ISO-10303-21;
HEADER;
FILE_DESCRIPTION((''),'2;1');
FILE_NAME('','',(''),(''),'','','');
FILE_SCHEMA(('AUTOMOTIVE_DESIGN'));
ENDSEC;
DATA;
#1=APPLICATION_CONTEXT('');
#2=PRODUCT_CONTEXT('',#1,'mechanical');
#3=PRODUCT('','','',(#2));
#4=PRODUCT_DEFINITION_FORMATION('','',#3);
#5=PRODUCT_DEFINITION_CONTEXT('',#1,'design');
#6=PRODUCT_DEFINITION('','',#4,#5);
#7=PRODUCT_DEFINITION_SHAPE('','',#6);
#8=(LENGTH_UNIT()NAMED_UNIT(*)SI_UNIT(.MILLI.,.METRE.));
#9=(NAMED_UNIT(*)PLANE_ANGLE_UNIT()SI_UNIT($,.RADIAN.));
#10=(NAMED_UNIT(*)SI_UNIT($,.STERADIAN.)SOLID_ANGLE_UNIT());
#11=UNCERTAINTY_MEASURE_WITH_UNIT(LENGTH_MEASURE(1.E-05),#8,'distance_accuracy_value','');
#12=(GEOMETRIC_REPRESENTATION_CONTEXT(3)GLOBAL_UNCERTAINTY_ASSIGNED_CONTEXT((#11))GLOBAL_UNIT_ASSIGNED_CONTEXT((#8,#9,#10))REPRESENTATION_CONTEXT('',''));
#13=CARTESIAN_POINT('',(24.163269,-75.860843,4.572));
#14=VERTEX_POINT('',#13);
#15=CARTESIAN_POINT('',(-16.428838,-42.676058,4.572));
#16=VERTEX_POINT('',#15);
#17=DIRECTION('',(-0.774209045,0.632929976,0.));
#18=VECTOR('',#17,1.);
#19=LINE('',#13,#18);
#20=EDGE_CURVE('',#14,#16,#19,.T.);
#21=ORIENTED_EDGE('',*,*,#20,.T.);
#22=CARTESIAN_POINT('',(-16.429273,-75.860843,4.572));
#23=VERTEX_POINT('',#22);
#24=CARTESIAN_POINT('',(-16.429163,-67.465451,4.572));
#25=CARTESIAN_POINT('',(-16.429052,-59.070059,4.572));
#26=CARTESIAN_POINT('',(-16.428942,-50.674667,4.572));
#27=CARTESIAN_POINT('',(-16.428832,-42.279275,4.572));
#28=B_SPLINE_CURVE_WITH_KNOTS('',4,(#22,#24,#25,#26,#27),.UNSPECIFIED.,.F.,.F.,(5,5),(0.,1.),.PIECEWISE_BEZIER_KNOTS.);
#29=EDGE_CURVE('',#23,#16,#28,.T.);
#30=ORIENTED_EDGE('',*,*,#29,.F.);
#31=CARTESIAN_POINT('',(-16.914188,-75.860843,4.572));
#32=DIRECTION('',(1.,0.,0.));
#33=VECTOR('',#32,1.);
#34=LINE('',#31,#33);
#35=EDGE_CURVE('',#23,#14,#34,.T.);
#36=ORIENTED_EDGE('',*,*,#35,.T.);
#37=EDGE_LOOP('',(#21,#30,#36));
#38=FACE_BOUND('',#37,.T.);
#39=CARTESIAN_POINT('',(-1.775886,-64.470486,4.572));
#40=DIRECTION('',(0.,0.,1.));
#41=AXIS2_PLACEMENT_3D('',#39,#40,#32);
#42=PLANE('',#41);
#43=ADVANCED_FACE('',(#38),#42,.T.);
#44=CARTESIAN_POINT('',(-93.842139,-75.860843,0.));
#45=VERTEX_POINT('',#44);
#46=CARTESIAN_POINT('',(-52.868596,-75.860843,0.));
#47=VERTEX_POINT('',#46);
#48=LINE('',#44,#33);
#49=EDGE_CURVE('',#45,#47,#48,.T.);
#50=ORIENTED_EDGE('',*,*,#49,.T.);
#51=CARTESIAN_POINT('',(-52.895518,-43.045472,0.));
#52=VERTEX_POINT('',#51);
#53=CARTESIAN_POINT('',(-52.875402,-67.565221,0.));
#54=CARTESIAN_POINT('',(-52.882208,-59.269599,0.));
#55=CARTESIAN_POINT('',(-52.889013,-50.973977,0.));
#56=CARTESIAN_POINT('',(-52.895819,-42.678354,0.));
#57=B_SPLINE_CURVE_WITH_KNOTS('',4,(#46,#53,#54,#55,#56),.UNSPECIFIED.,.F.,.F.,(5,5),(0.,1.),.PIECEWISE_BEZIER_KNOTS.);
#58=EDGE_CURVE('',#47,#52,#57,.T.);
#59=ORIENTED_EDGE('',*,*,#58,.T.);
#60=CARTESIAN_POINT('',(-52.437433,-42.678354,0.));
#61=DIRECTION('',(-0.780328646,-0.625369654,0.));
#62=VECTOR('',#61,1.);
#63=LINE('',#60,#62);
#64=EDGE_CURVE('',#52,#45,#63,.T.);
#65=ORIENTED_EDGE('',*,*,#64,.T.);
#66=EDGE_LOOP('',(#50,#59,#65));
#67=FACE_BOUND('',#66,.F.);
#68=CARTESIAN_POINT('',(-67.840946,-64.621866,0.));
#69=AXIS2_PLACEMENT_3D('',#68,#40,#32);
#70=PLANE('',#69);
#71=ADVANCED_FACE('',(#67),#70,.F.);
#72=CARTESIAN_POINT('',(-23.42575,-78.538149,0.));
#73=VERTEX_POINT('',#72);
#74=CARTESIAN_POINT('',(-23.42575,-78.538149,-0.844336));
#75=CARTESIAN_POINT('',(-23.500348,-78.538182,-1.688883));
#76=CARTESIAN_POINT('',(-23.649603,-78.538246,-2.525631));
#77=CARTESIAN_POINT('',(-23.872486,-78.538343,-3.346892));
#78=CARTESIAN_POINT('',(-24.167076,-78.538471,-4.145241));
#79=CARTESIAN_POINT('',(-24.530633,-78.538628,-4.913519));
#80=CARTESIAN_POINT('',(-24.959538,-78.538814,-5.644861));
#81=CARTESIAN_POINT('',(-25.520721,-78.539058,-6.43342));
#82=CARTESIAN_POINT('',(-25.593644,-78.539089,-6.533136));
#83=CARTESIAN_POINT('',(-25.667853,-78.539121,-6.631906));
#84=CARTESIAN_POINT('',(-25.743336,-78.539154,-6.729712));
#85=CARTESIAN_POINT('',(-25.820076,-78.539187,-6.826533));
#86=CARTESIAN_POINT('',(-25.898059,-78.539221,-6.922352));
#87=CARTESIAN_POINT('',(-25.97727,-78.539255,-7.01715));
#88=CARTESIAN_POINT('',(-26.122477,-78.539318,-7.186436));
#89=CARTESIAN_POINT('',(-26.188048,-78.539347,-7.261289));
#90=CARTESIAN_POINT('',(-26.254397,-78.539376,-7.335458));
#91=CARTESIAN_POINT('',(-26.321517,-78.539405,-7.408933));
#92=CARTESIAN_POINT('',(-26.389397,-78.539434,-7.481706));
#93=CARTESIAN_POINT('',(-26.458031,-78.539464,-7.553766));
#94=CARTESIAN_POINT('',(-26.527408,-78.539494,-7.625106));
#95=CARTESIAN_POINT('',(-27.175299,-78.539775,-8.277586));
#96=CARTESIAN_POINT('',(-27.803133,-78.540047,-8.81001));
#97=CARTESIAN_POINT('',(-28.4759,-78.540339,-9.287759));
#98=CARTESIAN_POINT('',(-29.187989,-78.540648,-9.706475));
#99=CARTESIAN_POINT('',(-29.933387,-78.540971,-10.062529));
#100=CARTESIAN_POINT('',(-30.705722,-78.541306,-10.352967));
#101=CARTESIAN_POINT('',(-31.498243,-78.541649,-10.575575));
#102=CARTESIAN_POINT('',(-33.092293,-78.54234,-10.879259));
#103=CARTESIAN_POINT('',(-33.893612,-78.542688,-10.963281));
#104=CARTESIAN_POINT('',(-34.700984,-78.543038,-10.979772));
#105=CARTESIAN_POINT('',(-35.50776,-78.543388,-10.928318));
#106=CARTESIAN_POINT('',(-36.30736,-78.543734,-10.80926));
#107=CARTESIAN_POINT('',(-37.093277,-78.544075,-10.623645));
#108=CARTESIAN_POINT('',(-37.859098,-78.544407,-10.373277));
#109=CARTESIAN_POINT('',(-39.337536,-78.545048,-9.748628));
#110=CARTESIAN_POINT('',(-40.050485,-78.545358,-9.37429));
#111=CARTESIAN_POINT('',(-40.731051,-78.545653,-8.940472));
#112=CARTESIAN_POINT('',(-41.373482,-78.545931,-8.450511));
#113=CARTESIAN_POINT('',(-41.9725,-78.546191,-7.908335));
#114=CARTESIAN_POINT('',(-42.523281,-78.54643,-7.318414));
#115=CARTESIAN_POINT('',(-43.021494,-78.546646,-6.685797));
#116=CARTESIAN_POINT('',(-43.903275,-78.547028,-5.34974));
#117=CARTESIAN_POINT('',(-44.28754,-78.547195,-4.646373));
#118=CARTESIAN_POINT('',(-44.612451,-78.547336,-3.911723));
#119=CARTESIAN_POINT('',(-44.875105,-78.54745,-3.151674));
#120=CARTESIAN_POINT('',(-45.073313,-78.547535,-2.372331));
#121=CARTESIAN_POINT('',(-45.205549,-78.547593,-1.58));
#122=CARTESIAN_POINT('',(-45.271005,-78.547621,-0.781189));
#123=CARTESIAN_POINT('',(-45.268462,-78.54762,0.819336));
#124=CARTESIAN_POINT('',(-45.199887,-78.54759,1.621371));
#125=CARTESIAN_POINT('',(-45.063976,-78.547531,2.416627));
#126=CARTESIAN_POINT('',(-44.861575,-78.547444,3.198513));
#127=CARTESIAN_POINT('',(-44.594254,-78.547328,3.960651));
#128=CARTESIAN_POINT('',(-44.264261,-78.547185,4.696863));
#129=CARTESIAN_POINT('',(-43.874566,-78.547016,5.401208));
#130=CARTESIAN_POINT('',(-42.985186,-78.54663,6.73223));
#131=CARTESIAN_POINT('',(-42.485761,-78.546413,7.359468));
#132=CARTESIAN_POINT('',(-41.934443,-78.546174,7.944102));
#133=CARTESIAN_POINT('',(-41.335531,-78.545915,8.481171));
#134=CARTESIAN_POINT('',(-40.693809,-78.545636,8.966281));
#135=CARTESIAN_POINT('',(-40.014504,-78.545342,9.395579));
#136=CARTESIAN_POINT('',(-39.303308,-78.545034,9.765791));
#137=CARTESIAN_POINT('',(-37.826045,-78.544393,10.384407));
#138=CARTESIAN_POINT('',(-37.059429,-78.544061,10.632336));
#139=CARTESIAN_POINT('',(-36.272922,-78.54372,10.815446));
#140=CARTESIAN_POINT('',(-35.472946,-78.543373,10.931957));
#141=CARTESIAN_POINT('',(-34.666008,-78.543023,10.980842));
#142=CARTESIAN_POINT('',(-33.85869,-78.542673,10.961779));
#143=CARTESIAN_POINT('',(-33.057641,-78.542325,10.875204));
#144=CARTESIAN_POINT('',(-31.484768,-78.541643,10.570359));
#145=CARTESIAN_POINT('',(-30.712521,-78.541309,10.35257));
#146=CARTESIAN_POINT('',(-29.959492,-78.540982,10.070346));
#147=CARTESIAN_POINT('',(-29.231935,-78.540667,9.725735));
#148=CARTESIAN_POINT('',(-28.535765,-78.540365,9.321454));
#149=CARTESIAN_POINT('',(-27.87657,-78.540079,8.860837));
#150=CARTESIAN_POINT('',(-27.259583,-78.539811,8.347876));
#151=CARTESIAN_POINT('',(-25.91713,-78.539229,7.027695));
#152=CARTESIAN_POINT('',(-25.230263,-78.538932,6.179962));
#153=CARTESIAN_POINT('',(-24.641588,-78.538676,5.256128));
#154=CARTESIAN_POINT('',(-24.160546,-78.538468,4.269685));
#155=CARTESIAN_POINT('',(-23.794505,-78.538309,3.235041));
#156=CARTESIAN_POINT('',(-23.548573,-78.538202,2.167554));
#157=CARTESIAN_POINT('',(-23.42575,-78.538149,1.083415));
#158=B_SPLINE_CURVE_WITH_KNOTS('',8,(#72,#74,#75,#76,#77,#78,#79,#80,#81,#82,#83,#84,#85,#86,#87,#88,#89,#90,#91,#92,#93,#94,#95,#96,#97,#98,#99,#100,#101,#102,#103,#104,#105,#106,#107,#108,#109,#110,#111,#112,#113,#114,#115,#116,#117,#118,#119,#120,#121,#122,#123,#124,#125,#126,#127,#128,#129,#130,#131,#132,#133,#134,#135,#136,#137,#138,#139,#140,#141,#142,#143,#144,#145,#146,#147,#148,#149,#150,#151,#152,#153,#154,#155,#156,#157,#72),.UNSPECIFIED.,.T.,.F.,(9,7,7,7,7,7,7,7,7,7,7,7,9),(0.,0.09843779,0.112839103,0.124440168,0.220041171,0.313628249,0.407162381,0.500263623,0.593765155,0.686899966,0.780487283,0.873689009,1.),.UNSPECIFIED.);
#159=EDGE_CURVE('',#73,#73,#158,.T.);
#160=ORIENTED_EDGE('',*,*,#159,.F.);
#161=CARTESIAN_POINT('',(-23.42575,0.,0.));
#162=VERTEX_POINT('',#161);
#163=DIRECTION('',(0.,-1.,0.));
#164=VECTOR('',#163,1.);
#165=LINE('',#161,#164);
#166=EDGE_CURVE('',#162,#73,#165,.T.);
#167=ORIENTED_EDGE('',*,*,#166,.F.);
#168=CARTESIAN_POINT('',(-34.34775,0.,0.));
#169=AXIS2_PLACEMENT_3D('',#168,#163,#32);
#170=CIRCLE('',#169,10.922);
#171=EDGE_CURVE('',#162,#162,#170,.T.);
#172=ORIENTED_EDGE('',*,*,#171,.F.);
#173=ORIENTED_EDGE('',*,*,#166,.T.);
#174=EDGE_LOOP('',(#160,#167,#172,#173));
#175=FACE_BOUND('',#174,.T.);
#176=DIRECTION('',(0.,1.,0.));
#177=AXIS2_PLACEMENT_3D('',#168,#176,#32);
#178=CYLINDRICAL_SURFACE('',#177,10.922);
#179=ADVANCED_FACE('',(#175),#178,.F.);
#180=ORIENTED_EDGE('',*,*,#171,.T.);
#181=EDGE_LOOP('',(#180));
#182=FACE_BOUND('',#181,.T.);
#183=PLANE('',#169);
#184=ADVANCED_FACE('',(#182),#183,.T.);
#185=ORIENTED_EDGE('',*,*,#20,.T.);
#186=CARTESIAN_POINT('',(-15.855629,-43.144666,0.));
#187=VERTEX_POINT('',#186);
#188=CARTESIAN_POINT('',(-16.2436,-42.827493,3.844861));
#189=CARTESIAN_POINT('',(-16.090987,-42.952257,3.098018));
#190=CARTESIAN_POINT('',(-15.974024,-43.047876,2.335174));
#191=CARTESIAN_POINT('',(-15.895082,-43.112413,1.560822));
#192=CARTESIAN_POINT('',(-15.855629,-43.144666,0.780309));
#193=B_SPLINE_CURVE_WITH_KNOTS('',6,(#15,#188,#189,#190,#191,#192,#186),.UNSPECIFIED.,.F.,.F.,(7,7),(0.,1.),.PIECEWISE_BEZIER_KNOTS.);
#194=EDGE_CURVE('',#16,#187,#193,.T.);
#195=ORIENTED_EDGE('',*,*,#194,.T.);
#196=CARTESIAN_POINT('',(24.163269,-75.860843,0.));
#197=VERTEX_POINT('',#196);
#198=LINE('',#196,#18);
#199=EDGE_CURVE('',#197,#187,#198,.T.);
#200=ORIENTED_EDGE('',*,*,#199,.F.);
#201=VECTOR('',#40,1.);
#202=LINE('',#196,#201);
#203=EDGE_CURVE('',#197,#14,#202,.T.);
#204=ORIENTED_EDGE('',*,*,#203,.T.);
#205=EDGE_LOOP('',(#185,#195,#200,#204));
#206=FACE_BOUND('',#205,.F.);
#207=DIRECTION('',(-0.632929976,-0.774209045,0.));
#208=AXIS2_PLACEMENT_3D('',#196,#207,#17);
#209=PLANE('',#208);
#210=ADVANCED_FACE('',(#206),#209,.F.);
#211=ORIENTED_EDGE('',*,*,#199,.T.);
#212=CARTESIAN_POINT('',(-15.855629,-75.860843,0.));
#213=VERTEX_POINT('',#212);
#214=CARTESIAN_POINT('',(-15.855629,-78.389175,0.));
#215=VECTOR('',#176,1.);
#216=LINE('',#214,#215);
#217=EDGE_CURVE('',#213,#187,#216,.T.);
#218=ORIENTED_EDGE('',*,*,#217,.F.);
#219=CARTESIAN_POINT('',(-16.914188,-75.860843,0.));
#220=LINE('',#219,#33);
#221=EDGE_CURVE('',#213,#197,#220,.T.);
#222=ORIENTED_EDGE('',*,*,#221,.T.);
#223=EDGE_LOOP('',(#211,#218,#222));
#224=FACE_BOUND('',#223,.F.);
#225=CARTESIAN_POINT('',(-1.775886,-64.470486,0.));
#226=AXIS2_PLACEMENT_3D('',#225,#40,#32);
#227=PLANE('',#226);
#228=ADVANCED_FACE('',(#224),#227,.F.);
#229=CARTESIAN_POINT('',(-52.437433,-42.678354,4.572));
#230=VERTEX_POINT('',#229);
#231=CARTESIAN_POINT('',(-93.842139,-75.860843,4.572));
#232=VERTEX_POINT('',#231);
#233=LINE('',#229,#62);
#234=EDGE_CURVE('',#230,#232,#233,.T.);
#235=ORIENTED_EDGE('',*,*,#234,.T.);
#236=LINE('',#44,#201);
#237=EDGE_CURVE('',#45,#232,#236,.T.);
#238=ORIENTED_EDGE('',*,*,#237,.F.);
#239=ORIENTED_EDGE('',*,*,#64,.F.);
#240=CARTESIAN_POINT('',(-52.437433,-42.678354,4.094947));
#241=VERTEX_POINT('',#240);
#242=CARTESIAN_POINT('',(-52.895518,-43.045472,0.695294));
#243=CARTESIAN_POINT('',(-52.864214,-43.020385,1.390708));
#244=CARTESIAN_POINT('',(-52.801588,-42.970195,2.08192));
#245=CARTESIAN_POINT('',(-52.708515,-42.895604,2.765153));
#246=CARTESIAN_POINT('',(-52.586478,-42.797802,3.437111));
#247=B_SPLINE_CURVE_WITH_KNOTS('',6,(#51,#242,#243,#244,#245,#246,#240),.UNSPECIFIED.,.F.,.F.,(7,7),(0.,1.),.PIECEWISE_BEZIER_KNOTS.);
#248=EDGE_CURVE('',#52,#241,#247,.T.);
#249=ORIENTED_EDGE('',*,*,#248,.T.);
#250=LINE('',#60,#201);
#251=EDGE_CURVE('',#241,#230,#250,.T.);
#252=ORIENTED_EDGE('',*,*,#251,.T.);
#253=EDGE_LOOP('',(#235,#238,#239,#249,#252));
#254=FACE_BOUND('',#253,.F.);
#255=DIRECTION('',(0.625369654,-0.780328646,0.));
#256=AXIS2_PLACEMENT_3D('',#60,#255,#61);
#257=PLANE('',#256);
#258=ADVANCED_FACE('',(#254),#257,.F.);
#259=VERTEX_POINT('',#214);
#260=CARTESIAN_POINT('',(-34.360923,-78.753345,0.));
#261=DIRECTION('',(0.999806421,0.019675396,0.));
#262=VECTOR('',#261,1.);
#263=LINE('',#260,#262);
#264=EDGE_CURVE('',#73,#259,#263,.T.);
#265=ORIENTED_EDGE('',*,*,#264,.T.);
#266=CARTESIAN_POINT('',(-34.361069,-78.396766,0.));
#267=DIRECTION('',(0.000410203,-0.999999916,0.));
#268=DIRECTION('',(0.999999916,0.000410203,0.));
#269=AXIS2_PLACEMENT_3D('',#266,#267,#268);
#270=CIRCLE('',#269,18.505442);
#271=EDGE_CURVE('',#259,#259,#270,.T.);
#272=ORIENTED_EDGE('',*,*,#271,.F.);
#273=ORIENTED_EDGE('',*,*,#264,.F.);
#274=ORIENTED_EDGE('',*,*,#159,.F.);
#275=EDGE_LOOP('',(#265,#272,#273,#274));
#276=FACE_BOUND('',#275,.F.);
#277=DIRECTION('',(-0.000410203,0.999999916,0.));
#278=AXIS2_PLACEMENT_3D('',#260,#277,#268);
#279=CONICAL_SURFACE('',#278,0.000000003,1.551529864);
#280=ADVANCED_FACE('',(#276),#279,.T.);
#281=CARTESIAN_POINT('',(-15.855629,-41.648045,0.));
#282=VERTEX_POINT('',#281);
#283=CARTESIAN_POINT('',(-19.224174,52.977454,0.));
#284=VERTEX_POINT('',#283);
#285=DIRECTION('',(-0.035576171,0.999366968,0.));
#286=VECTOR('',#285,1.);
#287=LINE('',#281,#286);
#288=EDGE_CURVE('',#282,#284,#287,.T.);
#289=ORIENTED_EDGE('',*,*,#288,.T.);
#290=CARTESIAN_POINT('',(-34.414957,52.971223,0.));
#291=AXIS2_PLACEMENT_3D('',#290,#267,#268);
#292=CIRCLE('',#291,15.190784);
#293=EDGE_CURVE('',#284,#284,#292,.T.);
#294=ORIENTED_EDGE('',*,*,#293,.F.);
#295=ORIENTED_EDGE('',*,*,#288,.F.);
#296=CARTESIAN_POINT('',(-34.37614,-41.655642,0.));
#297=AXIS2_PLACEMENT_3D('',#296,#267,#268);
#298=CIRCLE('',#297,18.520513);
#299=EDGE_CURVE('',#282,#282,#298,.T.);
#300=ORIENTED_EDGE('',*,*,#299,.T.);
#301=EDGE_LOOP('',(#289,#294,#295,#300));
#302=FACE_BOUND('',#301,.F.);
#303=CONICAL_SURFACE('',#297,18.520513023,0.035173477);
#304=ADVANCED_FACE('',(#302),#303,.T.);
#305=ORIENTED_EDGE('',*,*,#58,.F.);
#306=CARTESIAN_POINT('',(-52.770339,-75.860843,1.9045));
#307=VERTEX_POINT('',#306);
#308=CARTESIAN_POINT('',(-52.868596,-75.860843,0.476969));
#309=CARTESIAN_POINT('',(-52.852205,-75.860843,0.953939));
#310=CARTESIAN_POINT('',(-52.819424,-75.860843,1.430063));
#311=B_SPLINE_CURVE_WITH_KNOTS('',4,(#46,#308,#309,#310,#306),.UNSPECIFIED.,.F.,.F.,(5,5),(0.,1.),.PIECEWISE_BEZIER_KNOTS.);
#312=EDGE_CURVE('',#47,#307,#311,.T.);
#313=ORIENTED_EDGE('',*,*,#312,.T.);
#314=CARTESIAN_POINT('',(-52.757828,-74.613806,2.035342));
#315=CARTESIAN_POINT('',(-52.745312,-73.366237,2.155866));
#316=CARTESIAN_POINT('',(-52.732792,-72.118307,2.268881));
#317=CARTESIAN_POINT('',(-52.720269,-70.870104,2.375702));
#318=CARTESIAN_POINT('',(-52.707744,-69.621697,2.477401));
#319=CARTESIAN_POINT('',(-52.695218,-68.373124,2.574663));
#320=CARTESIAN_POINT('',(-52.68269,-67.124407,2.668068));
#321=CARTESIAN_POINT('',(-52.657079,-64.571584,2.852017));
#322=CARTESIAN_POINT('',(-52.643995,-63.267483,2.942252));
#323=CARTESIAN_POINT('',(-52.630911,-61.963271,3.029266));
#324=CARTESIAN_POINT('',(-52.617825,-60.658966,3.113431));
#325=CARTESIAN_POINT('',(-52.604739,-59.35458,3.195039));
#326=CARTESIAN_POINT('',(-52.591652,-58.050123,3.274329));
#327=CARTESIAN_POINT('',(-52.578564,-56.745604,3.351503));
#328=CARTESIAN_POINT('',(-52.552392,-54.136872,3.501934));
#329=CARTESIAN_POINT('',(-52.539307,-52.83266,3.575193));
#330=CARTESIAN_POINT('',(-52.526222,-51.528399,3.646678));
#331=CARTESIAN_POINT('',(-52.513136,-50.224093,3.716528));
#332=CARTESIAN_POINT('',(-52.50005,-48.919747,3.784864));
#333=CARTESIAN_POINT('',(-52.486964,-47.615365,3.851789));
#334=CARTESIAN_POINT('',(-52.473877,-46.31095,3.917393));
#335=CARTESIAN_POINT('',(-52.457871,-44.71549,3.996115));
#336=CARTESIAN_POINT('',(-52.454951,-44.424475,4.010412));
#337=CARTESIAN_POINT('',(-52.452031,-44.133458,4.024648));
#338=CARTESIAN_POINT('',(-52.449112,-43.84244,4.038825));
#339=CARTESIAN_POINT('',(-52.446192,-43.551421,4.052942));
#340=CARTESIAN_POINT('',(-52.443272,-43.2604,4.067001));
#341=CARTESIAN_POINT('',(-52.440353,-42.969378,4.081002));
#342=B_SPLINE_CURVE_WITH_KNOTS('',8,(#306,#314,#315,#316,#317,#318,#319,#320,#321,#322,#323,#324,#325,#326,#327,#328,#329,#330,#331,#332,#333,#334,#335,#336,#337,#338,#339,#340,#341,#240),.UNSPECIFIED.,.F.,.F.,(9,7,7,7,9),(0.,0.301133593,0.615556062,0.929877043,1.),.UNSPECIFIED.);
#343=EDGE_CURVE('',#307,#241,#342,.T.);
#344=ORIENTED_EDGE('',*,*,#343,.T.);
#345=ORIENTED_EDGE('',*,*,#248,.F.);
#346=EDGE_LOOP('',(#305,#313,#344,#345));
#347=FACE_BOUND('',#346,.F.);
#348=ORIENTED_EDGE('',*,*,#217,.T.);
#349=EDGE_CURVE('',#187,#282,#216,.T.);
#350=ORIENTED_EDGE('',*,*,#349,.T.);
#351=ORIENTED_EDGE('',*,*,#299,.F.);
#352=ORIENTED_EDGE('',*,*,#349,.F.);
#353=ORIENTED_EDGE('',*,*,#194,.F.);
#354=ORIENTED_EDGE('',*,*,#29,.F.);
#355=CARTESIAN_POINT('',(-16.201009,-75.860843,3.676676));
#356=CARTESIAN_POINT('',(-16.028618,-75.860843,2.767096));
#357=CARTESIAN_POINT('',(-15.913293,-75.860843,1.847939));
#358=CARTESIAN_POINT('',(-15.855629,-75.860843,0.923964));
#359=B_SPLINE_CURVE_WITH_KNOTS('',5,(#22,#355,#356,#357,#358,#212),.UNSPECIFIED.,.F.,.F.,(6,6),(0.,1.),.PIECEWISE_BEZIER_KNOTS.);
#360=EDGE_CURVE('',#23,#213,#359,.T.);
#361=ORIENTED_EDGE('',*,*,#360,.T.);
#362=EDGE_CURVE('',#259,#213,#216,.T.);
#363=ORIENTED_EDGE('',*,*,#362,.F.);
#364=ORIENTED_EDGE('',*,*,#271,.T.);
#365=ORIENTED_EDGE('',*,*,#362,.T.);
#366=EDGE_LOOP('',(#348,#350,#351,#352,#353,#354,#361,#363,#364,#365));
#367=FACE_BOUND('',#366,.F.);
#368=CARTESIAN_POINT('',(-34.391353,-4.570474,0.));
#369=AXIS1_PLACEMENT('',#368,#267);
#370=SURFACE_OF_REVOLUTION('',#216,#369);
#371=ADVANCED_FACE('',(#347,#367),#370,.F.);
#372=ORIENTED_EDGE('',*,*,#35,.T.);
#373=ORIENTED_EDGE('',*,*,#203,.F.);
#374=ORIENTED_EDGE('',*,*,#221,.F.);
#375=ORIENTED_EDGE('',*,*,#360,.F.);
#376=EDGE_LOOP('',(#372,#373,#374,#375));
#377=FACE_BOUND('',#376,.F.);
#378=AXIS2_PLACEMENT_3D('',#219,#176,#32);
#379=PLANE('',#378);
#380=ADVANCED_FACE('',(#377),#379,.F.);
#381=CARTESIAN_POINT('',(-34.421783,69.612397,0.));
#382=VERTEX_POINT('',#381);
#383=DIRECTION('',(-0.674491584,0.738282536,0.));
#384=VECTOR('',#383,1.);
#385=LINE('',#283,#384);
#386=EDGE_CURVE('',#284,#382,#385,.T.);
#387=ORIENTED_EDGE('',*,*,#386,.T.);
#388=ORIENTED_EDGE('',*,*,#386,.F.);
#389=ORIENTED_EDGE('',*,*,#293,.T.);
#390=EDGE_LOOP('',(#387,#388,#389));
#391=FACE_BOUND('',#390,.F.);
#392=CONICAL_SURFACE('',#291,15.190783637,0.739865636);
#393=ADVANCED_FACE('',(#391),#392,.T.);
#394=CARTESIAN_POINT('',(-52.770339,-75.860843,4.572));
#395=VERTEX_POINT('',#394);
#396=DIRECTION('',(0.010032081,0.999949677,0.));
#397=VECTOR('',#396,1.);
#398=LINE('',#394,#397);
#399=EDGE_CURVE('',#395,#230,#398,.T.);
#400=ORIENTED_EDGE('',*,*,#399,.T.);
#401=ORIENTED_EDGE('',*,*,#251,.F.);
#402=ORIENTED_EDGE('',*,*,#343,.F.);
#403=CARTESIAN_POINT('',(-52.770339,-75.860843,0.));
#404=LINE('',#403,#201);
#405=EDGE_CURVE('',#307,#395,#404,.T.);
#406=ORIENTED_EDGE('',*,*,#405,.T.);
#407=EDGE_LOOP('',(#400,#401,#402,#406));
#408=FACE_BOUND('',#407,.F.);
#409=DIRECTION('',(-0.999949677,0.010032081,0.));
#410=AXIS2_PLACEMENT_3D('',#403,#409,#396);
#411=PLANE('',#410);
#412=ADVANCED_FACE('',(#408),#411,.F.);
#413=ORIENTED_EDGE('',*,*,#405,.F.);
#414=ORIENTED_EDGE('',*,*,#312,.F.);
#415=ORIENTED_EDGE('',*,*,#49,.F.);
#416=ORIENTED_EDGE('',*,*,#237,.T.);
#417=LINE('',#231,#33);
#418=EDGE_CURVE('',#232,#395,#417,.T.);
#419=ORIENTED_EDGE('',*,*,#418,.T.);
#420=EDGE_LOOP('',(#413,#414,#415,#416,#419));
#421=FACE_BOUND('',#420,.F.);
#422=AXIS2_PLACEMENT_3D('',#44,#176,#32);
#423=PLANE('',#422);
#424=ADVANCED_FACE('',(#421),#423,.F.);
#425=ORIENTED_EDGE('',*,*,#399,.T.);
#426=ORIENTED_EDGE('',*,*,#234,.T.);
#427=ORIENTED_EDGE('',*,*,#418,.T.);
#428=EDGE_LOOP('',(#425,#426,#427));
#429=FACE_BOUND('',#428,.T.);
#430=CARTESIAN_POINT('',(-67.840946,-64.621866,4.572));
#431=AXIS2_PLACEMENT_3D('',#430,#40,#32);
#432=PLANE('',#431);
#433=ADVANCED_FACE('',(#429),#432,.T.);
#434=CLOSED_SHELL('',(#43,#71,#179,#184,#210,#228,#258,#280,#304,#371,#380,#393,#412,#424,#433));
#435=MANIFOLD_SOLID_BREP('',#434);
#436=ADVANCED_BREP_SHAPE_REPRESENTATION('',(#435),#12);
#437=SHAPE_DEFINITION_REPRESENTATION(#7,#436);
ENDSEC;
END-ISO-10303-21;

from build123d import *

# Parameters (mm, degrees)
F3_DEPTH = 4.572
F4_R     = 10.922
F5_DEPTH = 88.392


with BuildPart() as f1:
    # F0 (on Top) → F1 (revolve)
    with BuildSketch(Plane.XY):
        Polygon((-19.2241743207, 52.9774539173), (-34.4217829406, 69.6123968682), (-34.360922873, -78.7533447146), (-15.8556289971, -78.3891752362), (-15.8556289971, -41.6480451822), align=None)
    revolve(axis=Axis((-34.3913529068, -4.5704739232, 0), (0.0004102029, -0.9999999159, 0)))

    # F2 (on Top) → F3 (join)
    with BuildSketch(Plane.XY):
        Polygon((-52.7703391896, -75.8608434159), (-52.4374330146, -42.6783543754), (-93.8421391896, -75.8608434159), align=None)
        Polygon((24.1632689069, -75.8608434159), (-16.9141878514, -42.2792753768), (-16.9141878514, -75.8608434159), align=None)
    extrude(amount=F3_DEPTH)

    # F4 (on Front) → F5 (cut)
    with BuildSketch(Plane.XZ):
        with Locations((-34.3477502465, 0)):
            Circle(F4_R)
    extrude(amount=F5_DEPTH, mode=Mode.SUBTRACT)


solid = f1.part
